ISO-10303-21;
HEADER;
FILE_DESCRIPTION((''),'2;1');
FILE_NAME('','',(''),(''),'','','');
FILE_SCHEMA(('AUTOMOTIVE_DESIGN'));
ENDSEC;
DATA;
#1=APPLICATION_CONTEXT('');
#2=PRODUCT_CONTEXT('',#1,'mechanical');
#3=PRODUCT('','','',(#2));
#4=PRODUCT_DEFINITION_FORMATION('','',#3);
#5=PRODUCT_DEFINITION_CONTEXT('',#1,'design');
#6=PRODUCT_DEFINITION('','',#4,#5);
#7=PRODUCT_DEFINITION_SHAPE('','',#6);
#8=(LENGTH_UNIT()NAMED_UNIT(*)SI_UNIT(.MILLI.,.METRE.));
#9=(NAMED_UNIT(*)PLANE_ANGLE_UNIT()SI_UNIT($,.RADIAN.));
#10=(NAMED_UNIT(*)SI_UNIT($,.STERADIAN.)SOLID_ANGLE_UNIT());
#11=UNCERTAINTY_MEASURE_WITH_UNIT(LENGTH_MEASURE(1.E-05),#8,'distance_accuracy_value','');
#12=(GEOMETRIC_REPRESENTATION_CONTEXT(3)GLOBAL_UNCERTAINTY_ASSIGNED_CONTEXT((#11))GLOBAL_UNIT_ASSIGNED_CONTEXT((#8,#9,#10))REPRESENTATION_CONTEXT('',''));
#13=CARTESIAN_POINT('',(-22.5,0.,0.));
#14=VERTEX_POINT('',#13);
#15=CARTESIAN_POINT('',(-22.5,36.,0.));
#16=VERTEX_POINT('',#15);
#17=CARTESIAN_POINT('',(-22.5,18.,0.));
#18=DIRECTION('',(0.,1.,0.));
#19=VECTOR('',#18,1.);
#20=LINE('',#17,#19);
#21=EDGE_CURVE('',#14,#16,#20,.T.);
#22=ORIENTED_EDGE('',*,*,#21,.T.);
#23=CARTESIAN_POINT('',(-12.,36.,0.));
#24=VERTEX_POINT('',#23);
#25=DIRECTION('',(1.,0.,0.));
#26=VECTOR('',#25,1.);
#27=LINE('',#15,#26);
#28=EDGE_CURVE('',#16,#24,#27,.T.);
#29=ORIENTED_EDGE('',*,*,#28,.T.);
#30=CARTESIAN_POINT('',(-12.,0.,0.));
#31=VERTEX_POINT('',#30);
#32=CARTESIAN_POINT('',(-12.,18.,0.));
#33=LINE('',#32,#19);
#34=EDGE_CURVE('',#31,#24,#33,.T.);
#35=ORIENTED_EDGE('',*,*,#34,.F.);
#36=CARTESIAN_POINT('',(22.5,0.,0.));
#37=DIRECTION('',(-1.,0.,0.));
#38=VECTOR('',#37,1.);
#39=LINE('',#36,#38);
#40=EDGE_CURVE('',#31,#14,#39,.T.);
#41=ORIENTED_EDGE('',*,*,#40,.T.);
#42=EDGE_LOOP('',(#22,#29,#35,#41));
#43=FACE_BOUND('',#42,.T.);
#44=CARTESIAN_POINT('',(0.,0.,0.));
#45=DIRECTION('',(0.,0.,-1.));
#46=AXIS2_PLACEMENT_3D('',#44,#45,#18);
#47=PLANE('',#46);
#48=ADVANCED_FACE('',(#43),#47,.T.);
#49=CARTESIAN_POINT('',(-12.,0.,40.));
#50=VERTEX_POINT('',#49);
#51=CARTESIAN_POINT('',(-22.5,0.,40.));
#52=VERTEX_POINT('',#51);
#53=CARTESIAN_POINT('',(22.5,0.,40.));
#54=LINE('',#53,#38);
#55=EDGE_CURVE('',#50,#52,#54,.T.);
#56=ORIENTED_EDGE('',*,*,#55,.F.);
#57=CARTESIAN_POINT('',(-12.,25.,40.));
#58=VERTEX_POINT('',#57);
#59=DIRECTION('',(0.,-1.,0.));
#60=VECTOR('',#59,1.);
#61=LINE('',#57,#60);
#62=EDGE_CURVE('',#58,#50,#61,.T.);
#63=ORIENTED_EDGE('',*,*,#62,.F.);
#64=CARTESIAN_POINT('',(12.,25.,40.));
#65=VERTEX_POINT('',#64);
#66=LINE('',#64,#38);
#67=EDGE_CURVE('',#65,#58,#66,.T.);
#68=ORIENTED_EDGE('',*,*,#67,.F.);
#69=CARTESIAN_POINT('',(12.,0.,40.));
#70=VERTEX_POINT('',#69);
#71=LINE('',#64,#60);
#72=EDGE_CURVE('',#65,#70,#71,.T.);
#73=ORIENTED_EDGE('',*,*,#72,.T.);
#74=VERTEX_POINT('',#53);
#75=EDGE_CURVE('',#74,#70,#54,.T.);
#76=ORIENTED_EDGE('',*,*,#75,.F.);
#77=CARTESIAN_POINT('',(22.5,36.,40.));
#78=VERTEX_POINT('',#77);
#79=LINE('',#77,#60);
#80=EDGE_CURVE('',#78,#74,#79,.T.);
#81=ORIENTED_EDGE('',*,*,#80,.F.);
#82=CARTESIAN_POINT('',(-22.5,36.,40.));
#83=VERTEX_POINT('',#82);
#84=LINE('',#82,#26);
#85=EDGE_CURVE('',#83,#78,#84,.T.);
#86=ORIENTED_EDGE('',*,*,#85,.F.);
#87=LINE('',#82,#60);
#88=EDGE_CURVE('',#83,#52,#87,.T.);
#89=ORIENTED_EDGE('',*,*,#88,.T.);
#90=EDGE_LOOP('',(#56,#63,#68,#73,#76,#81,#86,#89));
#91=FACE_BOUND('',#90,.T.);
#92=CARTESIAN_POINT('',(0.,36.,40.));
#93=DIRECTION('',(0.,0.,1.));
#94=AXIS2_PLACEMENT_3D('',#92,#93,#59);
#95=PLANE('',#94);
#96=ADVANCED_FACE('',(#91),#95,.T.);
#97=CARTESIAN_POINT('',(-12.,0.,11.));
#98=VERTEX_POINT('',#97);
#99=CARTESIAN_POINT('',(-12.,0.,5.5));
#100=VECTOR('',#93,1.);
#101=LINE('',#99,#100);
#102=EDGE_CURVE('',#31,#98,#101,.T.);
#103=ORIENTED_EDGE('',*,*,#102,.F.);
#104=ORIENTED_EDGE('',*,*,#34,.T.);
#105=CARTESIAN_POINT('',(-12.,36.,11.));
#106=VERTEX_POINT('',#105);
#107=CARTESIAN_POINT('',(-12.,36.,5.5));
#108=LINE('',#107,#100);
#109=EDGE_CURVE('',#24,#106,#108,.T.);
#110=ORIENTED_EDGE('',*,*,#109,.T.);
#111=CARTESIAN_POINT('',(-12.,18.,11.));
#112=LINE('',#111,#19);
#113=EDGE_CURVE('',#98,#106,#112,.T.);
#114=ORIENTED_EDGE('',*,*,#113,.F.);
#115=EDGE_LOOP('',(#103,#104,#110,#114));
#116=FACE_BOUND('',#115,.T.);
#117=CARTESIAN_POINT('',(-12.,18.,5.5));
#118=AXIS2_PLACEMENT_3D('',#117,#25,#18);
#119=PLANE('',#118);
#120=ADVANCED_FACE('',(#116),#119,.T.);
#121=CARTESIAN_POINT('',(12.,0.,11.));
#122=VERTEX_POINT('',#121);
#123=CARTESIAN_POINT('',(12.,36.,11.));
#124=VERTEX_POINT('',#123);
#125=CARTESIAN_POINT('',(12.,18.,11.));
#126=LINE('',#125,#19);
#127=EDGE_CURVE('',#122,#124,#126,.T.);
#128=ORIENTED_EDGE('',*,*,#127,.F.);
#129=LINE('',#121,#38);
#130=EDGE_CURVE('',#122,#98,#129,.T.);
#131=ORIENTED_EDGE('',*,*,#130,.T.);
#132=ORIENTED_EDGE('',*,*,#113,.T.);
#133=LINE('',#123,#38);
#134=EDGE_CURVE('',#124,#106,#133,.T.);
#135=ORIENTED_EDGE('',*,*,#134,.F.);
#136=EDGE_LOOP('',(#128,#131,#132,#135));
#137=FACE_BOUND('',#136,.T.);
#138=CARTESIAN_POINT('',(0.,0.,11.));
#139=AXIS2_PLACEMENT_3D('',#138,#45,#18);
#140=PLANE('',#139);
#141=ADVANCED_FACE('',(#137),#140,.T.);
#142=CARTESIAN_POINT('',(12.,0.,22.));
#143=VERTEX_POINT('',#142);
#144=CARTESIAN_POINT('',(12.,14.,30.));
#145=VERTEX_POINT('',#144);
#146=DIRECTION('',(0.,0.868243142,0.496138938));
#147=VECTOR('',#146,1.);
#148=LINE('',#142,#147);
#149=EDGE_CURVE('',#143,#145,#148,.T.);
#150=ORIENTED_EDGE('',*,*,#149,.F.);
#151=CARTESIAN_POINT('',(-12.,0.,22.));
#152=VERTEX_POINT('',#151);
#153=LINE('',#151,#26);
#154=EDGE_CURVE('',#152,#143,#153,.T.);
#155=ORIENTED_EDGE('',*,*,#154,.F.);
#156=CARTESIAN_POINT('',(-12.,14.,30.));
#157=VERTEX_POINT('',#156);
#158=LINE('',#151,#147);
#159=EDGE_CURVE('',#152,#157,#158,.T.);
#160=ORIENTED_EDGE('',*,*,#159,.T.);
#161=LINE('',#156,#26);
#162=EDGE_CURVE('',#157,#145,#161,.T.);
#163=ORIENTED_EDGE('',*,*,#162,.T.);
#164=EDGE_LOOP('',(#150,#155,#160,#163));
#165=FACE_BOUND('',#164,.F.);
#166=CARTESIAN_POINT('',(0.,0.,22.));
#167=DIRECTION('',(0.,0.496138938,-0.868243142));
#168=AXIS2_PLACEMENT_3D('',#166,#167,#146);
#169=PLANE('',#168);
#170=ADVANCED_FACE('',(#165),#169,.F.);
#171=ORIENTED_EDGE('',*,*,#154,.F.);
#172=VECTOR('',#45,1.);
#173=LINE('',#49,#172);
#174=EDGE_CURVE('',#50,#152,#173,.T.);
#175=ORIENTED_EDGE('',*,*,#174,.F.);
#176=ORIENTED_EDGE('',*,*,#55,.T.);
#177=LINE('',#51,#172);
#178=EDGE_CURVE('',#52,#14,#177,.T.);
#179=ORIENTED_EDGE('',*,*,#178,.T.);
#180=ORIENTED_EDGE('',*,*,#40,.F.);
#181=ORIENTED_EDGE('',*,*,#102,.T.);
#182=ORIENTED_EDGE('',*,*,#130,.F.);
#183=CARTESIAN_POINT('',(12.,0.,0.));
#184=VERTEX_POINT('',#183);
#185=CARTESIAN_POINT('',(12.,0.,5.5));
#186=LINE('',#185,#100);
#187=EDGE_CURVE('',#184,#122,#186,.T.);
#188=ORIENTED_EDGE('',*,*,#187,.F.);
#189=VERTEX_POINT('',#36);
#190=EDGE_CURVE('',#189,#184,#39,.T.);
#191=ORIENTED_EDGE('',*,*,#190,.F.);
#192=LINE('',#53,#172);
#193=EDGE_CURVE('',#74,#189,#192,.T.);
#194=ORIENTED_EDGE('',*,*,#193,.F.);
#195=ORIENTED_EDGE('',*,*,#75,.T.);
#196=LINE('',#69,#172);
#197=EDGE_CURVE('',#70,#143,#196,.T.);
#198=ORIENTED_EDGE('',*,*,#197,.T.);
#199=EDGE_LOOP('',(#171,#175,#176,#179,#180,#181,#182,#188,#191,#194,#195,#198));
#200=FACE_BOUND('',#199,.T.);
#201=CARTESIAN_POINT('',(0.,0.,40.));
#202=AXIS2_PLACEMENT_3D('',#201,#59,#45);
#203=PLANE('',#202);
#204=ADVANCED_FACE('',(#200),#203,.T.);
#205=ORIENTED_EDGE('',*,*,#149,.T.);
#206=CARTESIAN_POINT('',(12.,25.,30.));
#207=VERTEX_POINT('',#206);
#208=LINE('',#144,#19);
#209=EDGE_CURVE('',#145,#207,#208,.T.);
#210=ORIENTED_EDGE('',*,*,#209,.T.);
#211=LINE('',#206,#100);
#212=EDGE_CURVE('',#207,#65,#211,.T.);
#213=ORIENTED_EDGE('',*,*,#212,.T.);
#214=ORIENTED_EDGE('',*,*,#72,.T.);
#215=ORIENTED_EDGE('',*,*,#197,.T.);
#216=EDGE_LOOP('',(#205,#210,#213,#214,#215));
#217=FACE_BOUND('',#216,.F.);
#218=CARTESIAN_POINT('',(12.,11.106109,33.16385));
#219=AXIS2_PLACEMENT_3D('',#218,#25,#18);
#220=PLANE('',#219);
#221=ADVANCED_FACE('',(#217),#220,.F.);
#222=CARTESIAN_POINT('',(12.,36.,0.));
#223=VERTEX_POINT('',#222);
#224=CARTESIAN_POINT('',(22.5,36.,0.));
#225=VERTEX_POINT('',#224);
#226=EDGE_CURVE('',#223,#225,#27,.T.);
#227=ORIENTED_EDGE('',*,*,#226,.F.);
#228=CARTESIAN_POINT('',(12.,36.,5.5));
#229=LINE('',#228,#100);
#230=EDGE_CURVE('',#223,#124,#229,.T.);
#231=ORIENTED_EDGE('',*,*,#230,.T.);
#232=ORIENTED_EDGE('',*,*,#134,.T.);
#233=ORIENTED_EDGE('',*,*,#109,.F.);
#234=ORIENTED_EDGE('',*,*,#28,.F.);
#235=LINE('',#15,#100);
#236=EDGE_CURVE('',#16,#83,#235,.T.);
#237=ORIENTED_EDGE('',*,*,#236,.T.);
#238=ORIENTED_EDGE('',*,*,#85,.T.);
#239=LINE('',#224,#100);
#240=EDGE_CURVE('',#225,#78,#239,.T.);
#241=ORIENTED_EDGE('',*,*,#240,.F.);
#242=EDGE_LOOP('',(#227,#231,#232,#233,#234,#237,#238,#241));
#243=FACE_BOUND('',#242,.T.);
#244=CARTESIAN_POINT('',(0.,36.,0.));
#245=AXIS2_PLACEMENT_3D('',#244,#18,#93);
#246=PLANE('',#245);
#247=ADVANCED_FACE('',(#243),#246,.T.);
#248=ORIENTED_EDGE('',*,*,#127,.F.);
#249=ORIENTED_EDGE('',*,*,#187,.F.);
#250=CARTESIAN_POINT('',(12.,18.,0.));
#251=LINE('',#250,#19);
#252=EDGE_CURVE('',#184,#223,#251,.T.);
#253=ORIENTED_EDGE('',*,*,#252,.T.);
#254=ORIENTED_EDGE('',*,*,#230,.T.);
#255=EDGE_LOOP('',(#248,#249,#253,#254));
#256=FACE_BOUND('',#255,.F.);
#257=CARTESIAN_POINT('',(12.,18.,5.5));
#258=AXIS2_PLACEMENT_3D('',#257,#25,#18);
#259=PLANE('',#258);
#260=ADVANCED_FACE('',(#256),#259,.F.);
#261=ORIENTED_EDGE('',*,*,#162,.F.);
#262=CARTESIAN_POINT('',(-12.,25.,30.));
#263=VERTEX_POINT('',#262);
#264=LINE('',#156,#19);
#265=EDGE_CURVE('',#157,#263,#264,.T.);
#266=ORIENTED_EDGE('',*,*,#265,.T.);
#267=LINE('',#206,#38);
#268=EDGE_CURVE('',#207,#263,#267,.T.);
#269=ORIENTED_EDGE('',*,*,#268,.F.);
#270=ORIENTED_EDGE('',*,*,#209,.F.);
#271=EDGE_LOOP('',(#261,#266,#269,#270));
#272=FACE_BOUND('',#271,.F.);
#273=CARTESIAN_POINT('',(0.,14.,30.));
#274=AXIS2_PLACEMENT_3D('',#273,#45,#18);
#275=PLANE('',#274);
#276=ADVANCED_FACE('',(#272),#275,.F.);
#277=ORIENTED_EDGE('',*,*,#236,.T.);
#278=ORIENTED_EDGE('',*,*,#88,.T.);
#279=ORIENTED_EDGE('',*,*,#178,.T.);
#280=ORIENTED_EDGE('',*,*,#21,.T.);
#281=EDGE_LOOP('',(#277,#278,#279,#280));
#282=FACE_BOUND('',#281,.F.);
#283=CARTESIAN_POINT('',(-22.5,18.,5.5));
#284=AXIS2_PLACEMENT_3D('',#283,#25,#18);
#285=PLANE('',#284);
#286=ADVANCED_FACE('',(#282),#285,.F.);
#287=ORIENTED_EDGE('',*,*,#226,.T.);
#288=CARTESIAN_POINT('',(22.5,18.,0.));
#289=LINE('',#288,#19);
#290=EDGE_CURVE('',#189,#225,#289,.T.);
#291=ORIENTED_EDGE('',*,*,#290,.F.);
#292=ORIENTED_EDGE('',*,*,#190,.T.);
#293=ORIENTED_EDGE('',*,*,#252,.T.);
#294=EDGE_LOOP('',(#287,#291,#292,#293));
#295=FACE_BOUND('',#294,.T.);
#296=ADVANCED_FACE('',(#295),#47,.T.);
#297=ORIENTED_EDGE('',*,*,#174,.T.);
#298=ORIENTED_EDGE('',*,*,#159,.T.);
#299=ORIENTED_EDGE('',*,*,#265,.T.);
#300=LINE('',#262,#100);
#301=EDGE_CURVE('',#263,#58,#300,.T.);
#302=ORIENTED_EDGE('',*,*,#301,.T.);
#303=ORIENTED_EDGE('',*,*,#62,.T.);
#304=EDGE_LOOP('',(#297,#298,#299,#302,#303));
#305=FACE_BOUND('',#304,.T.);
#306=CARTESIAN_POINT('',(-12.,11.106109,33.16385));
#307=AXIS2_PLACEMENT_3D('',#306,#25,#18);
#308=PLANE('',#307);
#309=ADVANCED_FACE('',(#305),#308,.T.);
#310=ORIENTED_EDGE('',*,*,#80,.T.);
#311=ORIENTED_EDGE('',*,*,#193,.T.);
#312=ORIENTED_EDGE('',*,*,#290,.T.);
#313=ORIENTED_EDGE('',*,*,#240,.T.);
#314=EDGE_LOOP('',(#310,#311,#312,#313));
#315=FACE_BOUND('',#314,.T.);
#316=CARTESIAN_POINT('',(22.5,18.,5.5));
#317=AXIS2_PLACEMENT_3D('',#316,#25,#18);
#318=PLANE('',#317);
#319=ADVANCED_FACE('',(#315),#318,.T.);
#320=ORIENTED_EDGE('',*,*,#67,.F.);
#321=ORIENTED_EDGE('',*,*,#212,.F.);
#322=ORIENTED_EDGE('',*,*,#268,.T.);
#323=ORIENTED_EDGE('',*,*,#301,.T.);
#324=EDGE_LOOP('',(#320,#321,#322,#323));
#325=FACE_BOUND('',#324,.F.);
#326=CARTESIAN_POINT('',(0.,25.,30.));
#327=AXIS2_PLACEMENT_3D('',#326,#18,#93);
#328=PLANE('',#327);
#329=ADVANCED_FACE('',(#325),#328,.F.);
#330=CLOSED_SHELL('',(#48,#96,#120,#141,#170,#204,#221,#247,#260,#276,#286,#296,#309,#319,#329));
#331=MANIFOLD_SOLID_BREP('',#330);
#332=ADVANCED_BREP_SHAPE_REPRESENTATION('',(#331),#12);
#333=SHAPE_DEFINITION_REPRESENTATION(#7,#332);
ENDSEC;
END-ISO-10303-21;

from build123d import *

# Parameters (mm, degrees)
F0_W     = 36
F0_H     = 11
F1_DEPTH = 22.5
F2_DEPTH = 12
F3_DEPTH = 12


with BuildPart() as f1:
    # F0 (on Right) → F1 (new body, symmetric)
    with BuildSketch(Plane.YZ):
        with Locations((18, 5.5)):
            Rectangle(F0_W, F0_H)
        Polygon((0, 22), (0, 11), (36, 11), (36, 40), (25, 40), (25, 30), (14, 30), align=None)
        Polygon((0, 40), (0, 22), (14, 30), (25, 30), (25, 40), align=None)
    extrude(amount=F1_DEPTH, both=True)

    # F0 (on Right) → F2 (cut, symmetric)
    with BuildSketch(Plane.YZ):
        with Locations((18, 5.5)):
            Rectangle(F0_W, F0_H)
    extrude(amount=F2_DEPTH, both=True, mode=Mode.SUBTRACT)

    # F0 (on Right) → F3 (cut, symmetric)
    with BuildSketch(Plane.YZ):
        Polygon((0, 40), (0, 22), (14, 30), (25, 30), (25, 40), align=None)
    extrude(amount=F3_DEPTH, both=True, mode=Mode.SUBTRACT)


solid = f1.part
